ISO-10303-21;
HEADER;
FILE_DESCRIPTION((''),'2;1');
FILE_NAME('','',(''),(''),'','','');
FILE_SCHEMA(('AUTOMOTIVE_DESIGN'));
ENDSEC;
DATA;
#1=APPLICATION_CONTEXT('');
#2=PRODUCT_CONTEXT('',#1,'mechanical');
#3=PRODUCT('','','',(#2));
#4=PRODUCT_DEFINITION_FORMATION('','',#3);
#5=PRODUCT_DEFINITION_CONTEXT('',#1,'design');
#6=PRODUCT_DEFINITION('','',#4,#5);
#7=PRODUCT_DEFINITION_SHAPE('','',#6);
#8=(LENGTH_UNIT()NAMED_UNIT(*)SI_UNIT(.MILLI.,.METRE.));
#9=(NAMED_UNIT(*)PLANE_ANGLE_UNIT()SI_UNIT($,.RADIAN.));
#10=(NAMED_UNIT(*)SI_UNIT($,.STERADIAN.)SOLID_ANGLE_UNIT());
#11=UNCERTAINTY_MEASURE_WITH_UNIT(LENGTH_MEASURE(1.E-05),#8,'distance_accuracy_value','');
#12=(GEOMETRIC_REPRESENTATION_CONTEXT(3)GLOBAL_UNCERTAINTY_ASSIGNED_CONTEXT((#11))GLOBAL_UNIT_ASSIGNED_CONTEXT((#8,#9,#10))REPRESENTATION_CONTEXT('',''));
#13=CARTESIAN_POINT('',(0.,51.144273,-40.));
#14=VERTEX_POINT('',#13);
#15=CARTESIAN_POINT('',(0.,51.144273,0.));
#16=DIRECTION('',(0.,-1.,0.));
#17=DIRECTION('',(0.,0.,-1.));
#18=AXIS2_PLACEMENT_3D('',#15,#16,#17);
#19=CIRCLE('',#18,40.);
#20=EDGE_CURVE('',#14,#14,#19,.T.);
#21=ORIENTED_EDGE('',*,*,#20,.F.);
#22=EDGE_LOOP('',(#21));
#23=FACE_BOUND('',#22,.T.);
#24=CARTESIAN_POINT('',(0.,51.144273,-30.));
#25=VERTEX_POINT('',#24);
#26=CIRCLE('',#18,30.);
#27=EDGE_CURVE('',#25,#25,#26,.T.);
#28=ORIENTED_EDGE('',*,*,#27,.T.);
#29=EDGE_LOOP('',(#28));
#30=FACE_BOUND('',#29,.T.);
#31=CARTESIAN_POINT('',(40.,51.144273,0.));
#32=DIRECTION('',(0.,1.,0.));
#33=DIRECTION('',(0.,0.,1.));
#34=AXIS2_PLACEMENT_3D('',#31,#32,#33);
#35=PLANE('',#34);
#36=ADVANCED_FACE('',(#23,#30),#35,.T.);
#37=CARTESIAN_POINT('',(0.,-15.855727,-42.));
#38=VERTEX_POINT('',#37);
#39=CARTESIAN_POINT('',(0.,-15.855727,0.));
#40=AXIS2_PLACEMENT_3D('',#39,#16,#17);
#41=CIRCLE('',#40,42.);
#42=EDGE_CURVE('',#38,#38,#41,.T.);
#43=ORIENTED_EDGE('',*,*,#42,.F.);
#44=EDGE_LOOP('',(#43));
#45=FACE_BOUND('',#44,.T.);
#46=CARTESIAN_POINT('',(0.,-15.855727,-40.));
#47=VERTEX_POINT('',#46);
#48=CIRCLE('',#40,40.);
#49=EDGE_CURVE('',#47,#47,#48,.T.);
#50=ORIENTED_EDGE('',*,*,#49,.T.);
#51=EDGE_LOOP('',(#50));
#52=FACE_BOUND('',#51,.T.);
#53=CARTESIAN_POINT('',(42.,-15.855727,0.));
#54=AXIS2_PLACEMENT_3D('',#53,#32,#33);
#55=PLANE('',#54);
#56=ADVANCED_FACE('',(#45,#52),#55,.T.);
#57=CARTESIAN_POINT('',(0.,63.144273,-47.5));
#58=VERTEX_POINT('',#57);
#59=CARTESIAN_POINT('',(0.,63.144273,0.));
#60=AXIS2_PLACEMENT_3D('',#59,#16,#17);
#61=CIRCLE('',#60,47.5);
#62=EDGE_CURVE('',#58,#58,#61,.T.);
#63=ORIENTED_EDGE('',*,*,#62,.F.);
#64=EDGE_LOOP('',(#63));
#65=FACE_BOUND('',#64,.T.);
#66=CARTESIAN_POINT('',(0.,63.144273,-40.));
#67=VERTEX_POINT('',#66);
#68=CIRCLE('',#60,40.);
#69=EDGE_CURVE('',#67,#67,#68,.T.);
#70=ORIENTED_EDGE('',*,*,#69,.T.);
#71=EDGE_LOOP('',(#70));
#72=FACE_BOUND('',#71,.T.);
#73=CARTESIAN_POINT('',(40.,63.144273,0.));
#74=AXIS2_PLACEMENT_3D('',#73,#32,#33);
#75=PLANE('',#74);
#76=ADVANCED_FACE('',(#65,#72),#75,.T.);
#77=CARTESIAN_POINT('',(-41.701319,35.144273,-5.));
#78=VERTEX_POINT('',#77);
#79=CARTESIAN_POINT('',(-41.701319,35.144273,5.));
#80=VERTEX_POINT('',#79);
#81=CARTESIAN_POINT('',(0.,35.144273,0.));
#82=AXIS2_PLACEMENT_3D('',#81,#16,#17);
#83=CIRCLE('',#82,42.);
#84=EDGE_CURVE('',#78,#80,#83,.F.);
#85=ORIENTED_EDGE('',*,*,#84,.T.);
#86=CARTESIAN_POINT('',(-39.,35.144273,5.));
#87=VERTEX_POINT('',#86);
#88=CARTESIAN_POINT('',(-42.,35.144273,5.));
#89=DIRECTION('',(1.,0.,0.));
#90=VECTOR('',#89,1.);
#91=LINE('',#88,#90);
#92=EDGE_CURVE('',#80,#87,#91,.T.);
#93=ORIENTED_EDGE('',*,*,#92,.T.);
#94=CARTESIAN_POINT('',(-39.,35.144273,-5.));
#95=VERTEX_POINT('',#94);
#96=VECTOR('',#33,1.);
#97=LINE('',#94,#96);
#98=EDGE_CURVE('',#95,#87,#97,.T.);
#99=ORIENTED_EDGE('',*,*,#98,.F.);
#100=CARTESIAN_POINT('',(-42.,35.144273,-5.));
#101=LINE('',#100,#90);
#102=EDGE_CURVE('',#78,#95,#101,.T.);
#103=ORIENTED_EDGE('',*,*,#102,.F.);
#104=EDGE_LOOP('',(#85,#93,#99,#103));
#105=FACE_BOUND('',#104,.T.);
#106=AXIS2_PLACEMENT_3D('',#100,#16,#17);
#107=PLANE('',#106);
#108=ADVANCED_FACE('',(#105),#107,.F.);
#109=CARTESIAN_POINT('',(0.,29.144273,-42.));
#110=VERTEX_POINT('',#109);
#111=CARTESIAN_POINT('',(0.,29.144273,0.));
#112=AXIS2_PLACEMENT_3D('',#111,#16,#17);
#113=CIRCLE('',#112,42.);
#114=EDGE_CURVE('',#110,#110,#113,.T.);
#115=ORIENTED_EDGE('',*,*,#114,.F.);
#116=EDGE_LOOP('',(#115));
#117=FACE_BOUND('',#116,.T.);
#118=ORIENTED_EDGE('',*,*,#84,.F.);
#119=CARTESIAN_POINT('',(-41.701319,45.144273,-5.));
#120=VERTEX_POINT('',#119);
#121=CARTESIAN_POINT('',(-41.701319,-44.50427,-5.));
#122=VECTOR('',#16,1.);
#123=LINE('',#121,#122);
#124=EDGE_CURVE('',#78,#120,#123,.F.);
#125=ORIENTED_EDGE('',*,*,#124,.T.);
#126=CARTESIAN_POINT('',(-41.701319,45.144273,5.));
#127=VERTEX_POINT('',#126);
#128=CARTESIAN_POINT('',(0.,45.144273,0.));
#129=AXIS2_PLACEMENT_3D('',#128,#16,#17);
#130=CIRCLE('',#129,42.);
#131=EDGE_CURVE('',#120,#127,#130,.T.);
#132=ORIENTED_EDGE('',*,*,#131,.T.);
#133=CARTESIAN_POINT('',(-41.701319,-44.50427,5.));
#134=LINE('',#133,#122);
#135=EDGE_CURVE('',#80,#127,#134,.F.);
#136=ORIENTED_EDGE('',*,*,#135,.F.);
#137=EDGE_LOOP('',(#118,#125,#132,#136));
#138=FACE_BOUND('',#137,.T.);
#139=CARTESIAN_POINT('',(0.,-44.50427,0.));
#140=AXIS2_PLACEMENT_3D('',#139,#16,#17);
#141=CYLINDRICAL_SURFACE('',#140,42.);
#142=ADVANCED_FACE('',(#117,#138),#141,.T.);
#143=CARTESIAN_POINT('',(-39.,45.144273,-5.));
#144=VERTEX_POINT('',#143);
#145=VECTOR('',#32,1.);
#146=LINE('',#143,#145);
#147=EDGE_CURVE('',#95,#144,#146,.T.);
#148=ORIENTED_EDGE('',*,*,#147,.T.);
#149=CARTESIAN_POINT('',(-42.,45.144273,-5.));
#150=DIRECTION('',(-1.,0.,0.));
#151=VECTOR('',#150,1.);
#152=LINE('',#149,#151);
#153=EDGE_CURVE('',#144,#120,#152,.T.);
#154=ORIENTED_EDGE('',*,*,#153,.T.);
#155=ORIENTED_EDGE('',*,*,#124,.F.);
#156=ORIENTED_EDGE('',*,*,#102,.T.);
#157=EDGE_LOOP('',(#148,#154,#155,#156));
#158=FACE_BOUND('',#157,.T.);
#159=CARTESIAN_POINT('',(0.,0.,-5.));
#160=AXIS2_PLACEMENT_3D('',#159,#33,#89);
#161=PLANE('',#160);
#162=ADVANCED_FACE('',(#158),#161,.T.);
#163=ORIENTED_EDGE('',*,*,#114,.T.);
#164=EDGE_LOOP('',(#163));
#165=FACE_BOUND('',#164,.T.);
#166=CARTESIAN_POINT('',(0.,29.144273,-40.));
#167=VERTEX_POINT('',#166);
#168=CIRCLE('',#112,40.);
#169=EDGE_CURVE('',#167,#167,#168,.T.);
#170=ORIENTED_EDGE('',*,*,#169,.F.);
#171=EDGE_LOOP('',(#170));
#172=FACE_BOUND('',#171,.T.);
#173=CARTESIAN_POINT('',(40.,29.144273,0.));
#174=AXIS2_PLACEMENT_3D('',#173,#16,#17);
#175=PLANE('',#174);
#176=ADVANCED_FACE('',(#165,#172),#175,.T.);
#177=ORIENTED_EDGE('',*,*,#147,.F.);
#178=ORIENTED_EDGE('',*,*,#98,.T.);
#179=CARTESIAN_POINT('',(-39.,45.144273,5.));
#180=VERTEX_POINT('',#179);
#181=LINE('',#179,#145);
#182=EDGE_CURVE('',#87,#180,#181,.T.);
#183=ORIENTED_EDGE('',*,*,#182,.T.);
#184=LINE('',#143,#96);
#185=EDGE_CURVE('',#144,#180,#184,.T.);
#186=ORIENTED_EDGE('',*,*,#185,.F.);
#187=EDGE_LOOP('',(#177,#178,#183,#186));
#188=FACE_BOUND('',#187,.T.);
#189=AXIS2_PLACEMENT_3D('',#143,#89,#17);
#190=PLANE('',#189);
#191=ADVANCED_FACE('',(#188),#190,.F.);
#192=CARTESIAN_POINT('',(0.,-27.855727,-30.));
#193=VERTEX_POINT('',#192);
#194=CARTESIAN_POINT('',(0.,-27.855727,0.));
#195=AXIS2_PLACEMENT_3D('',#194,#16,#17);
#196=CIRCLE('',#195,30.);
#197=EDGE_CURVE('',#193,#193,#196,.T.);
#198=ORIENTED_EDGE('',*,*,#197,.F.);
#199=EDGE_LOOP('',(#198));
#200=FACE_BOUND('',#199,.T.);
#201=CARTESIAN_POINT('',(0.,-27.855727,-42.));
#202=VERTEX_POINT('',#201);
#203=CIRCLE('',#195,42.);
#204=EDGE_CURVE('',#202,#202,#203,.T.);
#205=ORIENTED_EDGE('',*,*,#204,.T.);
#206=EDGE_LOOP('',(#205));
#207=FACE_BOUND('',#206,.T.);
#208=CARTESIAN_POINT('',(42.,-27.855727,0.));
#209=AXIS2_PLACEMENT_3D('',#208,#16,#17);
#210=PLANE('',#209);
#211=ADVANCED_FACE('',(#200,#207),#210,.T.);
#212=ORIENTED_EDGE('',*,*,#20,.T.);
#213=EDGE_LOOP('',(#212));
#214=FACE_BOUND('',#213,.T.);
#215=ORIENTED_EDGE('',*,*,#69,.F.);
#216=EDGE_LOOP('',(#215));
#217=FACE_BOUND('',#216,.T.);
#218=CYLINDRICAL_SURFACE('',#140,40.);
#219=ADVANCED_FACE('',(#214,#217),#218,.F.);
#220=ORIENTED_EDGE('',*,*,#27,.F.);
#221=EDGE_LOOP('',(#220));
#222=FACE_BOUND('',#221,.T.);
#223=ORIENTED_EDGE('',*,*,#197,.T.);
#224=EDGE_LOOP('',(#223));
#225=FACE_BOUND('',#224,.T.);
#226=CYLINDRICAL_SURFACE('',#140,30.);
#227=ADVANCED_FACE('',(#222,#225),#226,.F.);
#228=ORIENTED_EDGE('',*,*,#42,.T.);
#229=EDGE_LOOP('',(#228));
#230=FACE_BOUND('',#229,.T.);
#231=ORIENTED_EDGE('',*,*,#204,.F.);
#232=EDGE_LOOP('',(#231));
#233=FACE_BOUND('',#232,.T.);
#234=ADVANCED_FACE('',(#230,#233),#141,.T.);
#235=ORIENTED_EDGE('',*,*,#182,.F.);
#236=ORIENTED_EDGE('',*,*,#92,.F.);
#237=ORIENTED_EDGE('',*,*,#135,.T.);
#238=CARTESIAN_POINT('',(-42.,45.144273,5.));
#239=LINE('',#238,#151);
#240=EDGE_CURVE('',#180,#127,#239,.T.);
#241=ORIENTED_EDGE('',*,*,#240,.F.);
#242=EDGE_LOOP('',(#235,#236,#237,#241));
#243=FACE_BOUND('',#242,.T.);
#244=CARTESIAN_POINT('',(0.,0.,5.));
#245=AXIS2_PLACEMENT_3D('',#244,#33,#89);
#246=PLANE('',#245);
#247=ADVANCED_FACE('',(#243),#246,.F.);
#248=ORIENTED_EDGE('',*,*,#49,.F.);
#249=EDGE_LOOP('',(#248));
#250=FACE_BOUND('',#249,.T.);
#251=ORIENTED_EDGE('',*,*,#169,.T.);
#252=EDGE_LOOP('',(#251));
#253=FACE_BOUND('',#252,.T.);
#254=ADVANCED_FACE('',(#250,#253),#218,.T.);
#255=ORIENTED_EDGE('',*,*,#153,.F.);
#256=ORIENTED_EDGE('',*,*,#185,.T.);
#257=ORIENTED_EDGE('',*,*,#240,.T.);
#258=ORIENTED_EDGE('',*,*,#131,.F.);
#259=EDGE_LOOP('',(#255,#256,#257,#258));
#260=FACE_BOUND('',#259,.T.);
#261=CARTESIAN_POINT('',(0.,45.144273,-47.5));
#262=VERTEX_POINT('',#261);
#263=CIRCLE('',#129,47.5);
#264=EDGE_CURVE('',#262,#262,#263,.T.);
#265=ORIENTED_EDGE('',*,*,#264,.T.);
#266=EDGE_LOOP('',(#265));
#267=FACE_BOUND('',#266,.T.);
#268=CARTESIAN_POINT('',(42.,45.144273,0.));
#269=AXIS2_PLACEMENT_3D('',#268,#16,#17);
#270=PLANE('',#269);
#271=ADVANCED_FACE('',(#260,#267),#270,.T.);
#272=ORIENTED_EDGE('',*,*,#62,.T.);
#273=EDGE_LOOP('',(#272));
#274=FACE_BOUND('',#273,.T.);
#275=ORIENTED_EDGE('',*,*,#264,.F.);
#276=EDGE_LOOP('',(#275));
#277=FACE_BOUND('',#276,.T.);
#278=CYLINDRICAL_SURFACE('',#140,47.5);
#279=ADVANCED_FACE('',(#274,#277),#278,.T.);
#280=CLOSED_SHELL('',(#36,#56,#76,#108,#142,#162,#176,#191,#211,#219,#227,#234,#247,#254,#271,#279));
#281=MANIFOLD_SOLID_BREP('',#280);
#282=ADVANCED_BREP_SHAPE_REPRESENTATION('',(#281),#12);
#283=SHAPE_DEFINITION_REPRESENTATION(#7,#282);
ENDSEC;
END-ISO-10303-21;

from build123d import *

# Parameters (mm, degrees)
SKETCH2_W          = 3
SKETCH2_H          = 10
CUT_EXTRUDE3_DEPTH = 5


with BuildPart() as part:
    # Sketch1 → Revolve1 (revolve)
    with BuildSketch(Plane.XY, mode=Mode.PRIVATE) as revolve1_sk:
        Polygon((30, -27.855726757), (30, 51.144273243), (40, 51.144273243), (40, 63.144273243), (47.5, 63.144273243), (47.5, 45.144273243), (42, 45.144273243), (42, 29.144273243), (40, 29.144273243), (40, -15.855726757), (42, -15.855726757), (42, -27.855726757), align=None)
    revolve(revolve1_sk.sketch.rotate(Axis((0, -44.504269507, 0), (0, 1, 0)), 90), axis=Axis((0, -44.504269507, 0), (0, 1, 0)))

    # Sketch2 → Cut-Extrude3 (cut, symmetric)
    with BuildSketch(Plane.XY):
        with Locations((-40.5, 40.144273243)):
            Rectangle(SKETCH2_W, SKETCH2_H)
    extrude(amount=CUT_EXTRUDE3_DEPTH, both=True, mode=Mode.SUBTRACT)


solid = part.part
